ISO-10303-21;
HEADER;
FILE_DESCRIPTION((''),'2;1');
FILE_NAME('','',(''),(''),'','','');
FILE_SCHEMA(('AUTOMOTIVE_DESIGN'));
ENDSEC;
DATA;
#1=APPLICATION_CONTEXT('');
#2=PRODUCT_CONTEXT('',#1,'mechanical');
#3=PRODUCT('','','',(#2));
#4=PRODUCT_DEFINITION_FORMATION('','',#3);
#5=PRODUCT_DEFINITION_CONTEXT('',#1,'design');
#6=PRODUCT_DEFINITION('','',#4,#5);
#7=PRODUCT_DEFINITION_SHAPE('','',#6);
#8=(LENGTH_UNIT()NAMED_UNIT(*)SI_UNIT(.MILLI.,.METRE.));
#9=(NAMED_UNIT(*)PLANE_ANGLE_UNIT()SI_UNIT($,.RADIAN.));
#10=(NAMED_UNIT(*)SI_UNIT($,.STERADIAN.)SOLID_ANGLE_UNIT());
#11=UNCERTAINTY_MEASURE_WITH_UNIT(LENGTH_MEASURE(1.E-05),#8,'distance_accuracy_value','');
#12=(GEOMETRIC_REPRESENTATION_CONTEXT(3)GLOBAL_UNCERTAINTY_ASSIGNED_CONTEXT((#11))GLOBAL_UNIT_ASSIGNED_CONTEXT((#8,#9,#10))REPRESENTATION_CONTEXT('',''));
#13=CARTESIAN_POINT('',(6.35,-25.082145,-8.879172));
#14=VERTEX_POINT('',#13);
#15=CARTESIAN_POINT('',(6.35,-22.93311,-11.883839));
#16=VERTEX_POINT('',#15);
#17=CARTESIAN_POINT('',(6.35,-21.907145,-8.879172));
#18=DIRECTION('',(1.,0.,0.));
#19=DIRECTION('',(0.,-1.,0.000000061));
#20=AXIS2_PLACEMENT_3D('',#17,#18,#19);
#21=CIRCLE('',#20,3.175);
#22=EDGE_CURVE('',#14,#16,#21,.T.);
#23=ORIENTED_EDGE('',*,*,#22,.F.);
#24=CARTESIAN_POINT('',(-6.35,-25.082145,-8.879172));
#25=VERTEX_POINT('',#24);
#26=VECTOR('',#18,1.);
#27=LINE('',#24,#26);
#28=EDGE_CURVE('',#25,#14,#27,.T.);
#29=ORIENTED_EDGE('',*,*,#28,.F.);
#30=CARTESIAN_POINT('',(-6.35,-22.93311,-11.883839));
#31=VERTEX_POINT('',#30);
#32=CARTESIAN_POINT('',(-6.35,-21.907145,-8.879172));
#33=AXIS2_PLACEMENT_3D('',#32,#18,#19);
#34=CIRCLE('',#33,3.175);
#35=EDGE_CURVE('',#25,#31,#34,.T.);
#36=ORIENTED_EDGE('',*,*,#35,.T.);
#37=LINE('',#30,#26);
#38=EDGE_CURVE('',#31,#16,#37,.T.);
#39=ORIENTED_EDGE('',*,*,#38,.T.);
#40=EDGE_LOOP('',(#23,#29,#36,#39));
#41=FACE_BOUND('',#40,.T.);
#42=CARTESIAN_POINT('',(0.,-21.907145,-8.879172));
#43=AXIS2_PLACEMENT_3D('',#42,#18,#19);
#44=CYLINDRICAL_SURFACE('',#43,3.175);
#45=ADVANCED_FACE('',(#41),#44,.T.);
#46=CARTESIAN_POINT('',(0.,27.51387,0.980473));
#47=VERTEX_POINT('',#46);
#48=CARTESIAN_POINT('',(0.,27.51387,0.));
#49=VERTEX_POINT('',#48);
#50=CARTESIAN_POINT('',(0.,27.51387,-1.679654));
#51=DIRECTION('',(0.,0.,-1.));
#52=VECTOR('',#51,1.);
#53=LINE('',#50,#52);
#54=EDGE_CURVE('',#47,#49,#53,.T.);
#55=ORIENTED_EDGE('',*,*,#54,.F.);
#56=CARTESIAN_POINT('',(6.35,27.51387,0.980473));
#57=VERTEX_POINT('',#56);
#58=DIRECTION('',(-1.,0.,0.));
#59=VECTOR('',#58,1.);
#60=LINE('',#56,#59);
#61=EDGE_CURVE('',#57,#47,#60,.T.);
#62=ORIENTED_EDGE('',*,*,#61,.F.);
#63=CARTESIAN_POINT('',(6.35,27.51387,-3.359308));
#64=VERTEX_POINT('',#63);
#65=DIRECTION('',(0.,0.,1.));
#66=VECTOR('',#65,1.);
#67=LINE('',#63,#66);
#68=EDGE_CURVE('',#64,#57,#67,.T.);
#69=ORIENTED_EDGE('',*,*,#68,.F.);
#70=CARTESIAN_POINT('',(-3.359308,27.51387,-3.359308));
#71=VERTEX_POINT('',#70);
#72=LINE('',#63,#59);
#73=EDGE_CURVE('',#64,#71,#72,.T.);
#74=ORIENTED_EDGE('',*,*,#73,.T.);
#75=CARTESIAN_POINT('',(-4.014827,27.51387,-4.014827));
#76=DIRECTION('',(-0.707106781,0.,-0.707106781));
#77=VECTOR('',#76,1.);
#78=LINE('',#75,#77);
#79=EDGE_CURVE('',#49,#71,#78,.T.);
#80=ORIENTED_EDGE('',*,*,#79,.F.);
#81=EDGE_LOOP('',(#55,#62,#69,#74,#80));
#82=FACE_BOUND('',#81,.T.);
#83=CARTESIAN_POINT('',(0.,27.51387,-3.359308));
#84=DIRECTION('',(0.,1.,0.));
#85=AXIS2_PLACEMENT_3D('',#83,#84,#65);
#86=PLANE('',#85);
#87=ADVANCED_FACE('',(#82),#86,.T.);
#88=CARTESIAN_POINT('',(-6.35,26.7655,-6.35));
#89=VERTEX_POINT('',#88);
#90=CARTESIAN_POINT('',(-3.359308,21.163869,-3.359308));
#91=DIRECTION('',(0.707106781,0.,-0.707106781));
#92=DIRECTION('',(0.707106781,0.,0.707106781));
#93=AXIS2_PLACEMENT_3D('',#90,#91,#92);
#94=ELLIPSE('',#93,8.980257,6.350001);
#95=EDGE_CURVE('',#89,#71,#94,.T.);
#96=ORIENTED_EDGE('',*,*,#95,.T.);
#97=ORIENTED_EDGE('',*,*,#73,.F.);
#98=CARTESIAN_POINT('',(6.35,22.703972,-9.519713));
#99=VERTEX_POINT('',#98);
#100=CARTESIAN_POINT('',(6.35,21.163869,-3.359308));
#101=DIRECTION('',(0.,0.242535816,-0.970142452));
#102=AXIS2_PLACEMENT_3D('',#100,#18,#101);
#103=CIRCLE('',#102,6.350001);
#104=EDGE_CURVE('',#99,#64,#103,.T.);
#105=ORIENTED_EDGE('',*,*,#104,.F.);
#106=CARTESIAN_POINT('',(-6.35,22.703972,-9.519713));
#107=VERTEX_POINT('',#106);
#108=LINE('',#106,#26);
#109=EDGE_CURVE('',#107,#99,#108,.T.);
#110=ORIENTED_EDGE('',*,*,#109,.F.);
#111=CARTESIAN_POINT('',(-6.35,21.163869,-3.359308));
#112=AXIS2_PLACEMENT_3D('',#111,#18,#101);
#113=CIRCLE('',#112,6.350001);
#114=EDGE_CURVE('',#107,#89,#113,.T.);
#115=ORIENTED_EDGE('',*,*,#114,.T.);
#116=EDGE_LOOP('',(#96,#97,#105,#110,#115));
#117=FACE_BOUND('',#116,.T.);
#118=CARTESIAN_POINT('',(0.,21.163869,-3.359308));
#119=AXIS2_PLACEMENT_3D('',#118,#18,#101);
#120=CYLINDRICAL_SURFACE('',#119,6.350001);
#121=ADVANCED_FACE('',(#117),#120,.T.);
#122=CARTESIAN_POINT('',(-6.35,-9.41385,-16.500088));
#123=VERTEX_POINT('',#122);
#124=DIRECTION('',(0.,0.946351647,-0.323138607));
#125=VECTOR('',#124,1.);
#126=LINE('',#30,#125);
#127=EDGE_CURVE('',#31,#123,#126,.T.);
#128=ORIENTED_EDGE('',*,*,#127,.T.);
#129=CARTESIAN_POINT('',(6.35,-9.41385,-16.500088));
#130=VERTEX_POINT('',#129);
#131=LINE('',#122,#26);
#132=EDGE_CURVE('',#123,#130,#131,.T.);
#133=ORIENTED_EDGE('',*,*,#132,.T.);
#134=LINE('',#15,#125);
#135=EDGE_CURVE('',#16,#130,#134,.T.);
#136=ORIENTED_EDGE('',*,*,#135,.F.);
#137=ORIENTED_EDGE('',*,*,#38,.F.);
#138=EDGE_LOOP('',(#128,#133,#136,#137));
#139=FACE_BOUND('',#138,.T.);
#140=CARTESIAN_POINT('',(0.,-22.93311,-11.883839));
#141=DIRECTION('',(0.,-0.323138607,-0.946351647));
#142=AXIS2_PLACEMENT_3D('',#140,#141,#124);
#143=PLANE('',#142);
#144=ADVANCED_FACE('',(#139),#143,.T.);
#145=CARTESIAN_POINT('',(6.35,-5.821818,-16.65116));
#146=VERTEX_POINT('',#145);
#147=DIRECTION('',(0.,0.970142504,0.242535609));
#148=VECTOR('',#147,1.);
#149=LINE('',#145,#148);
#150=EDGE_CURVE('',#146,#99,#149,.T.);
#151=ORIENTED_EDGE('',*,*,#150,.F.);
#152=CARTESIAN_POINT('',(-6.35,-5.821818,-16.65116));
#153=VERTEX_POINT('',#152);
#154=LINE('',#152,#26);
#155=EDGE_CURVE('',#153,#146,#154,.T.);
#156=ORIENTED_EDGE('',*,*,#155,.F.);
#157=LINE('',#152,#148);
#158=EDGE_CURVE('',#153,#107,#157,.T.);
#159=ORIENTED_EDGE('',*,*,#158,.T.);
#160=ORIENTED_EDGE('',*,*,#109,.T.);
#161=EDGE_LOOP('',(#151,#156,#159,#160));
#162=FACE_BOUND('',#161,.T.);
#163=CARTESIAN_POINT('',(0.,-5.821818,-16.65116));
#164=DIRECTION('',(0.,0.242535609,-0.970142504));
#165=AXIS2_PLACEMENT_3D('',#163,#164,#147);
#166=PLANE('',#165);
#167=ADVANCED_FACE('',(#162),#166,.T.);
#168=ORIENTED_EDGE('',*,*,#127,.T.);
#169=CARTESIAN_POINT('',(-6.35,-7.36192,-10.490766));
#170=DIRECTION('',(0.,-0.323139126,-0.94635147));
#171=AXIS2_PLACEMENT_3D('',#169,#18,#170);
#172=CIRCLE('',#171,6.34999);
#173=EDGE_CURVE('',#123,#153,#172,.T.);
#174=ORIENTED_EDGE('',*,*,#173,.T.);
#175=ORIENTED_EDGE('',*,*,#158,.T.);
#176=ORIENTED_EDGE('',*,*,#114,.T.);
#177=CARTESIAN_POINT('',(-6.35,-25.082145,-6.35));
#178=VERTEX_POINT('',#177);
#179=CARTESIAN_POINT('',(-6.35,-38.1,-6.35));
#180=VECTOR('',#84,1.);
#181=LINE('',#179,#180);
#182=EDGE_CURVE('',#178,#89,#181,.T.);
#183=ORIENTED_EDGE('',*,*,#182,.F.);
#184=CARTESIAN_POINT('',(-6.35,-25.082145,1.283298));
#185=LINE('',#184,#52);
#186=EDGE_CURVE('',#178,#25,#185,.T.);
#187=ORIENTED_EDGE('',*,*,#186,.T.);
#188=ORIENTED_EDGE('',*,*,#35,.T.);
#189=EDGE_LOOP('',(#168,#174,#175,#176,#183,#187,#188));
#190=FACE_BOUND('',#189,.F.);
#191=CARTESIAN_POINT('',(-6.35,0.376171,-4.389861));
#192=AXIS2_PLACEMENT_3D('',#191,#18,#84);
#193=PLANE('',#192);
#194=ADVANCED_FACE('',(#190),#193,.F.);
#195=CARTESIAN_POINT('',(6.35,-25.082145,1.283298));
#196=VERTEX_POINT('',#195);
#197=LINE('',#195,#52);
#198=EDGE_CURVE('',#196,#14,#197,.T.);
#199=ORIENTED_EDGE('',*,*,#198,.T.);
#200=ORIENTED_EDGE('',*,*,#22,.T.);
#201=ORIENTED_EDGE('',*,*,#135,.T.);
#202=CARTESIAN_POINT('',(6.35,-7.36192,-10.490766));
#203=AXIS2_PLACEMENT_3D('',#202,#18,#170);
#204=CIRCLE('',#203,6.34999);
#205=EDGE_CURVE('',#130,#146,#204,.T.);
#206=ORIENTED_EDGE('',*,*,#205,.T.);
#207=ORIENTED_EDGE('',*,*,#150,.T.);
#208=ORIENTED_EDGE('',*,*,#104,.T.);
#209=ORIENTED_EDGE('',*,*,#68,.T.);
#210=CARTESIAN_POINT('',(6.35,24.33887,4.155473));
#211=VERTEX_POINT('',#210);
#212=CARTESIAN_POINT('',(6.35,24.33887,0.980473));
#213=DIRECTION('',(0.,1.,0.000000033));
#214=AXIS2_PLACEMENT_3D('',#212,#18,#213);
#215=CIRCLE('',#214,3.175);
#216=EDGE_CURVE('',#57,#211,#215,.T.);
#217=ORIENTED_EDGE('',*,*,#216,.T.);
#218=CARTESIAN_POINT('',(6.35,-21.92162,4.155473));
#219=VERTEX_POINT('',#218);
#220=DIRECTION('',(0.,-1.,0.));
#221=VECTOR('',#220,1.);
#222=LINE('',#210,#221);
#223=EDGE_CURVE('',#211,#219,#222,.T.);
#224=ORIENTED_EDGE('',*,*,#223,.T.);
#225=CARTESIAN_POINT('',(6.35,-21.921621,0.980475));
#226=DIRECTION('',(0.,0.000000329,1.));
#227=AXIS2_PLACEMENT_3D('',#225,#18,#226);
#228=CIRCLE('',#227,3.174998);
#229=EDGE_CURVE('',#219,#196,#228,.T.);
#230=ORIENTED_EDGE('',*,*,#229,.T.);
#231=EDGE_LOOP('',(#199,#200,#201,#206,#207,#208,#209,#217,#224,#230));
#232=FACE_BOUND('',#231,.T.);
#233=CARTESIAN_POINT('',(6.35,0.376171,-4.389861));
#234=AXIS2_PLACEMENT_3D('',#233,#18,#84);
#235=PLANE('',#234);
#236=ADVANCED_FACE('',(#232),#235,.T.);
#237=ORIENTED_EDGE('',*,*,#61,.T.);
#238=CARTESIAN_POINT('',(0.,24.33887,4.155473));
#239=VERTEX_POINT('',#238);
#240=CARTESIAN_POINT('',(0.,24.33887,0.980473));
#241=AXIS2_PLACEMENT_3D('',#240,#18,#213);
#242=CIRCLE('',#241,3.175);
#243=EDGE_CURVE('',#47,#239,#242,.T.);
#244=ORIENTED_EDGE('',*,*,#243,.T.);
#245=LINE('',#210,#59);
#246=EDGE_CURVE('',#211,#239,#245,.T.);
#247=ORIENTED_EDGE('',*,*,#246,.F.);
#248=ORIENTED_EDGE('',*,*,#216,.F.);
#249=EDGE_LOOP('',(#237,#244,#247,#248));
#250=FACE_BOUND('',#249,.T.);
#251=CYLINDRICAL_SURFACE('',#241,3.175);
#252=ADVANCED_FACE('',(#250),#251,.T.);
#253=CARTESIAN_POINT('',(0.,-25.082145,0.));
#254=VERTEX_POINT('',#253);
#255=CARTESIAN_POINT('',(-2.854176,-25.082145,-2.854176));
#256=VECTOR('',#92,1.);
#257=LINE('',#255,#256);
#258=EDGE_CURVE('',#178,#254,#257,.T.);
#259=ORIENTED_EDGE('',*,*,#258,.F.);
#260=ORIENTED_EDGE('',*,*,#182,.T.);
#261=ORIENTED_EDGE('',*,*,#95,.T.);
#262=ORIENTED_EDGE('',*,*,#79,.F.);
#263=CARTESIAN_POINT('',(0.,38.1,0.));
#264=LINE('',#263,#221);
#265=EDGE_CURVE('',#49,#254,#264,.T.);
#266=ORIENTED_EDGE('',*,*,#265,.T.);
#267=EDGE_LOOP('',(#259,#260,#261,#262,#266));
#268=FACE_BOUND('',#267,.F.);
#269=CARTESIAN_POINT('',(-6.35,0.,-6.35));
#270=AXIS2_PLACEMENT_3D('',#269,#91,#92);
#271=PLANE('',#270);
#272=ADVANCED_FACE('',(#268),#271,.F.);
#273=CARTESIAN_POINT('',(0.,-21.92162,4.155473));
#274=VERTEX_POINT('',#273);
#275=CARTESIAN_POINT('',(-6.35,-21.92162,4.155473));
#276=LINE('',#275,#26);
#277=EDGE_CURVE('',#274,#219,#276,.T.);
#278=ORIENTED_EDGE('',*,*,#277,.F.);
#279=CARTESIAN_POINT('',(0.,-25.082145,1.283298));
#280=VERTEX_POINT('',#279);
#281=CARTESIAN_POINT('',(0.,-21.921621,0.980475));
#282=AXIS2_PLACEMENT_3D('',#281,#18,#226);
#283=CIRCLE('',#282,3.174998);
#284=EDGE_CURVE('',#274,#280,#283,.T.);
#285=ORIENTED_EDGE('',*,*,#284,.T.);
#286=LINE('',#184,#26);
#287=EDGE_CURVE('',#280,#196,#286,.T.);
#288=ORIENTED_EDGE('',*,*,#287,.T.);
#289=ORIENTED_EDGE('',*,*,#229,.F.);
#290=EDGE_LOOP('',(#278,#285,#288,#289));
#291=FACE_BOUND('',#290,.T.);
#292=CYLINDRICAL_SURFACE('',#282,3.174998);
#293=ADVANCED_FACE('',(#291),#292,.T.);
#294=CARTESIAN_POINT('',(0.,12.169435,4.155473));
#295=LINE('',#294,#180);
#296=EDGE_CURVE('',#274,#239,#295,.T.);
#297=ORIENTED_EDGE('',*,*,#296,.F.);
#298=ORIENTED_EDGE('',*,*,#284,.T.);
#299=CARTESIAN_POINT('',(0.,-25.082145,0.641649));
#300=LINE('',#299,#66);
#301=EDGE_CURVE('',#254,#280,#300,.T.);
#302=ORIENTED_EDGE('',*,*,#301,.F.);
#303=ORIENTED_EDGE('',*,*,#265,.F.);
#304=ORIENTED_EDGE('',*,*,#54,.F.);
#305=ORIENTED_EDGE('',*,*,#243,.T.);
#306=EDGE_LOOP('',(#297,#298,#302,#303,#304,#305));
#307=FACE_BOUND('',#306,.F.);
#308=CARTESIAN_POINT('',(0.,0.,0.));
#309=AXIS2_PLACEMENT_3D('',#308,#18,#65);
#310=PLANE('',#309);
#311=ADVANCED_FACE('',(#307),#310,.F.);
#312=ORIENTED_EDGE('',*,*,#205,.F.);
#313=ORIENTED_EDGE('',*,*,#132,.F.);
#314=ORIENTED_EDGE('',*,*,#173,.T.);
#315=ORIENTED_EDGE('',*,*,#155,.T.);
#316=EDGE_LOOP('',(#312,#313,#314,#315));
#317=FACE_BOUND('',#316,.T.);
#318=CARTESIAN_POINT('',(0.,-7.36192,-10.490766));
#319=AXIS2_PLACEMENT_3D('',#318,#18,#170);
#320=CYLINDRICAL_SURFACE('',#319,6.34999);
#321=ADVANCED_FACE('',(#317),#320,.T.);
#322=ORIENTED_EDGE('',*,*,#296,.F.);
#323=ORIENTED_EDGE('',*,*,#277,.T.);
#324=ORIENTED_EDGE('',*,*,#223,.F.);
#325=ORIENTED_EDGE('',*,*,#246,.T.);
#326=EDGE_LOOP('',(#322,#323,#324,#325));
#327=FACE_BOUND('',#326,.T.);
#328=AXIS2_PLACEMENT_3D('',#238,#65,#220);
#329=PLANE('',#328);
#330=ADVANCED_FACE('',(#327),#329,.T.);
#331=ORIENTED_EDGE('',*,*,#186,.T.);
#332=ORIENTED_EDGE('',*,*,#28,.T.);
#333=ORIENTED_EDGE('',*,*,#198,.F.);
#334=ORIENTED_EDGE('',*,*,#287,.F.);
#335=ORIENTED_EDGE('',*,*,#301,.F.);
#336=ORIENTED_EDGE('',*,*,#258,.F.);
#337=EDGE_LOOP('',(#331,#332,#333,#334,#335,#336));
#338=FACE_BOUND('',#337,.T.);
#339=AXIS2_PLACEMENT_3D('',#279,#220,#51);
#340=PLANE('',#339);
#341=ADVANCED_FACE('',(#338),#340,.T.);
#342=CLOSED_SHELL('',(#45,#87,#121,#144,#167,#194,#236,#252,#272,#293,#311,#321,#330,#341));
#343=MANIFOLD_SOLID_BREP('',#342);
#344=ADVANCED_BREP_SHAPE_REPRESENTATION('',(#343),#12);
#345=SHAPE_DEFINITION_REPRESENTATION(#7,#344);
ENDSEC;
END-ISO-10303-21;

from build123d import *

# Parameters (mm, degrees)
F1_DEPTH = 6.35
F3_DEPTH = 38.1


with BuildPart() as f1:
    # F0 (on Right) → F1 (new body, symmetric)
    with BuildSketch(Plane.YZ):
        with BuildLine():
            Line((24.33887, 4.155473), (-21.92162, 4.155473))
            ThreePointArc((-21.92162, 4.155473), (-24.056937, 3.330164), (-25.082145, 1.283298))
            Line((-25.082145, 1.283298), (-25.082145, -8.879172))
            ThreePointArc((-25.082145, -8.879172), (-24.489592, -10.726222), (-22.93311, -11.883839))
            Line((-22.93311, -11.883839), (-9.41385, -16.500088))
            ThreePointArc((-9.41385, -16.500088), (-7.628749, -16.835147), (-5.821818, -16.65116))
            Line((-5.821818, -16.65116), (22.703972, -9.519713))
            ThreePointArc((22.703972, -9.519713), (26.168975, -7.267175), (27.51387, -3.359308))
            Line((27.51387, -3.359308), (27.51387, 0.980473))
            ThreePointArc((27.51387, 0.980473), (26.583934, 3.225537), (24.33887, 4.155473))
        make_face()
    extrude(amount=F1_DEPTH, both=True)

    # F2 (on Front) → F3 (cut, symmetric)
    with BuildSketch(Plane.XZ):
        Polygon((-6.35, -6.35), (0, 0), (0, 6.35), (-12.7, 6.35), (-12.7, -6.35), align=None)
    extrude(amount=F3_DEPTH, both=True, mode=Mode.SUBTRACT)


solid = f1.part
